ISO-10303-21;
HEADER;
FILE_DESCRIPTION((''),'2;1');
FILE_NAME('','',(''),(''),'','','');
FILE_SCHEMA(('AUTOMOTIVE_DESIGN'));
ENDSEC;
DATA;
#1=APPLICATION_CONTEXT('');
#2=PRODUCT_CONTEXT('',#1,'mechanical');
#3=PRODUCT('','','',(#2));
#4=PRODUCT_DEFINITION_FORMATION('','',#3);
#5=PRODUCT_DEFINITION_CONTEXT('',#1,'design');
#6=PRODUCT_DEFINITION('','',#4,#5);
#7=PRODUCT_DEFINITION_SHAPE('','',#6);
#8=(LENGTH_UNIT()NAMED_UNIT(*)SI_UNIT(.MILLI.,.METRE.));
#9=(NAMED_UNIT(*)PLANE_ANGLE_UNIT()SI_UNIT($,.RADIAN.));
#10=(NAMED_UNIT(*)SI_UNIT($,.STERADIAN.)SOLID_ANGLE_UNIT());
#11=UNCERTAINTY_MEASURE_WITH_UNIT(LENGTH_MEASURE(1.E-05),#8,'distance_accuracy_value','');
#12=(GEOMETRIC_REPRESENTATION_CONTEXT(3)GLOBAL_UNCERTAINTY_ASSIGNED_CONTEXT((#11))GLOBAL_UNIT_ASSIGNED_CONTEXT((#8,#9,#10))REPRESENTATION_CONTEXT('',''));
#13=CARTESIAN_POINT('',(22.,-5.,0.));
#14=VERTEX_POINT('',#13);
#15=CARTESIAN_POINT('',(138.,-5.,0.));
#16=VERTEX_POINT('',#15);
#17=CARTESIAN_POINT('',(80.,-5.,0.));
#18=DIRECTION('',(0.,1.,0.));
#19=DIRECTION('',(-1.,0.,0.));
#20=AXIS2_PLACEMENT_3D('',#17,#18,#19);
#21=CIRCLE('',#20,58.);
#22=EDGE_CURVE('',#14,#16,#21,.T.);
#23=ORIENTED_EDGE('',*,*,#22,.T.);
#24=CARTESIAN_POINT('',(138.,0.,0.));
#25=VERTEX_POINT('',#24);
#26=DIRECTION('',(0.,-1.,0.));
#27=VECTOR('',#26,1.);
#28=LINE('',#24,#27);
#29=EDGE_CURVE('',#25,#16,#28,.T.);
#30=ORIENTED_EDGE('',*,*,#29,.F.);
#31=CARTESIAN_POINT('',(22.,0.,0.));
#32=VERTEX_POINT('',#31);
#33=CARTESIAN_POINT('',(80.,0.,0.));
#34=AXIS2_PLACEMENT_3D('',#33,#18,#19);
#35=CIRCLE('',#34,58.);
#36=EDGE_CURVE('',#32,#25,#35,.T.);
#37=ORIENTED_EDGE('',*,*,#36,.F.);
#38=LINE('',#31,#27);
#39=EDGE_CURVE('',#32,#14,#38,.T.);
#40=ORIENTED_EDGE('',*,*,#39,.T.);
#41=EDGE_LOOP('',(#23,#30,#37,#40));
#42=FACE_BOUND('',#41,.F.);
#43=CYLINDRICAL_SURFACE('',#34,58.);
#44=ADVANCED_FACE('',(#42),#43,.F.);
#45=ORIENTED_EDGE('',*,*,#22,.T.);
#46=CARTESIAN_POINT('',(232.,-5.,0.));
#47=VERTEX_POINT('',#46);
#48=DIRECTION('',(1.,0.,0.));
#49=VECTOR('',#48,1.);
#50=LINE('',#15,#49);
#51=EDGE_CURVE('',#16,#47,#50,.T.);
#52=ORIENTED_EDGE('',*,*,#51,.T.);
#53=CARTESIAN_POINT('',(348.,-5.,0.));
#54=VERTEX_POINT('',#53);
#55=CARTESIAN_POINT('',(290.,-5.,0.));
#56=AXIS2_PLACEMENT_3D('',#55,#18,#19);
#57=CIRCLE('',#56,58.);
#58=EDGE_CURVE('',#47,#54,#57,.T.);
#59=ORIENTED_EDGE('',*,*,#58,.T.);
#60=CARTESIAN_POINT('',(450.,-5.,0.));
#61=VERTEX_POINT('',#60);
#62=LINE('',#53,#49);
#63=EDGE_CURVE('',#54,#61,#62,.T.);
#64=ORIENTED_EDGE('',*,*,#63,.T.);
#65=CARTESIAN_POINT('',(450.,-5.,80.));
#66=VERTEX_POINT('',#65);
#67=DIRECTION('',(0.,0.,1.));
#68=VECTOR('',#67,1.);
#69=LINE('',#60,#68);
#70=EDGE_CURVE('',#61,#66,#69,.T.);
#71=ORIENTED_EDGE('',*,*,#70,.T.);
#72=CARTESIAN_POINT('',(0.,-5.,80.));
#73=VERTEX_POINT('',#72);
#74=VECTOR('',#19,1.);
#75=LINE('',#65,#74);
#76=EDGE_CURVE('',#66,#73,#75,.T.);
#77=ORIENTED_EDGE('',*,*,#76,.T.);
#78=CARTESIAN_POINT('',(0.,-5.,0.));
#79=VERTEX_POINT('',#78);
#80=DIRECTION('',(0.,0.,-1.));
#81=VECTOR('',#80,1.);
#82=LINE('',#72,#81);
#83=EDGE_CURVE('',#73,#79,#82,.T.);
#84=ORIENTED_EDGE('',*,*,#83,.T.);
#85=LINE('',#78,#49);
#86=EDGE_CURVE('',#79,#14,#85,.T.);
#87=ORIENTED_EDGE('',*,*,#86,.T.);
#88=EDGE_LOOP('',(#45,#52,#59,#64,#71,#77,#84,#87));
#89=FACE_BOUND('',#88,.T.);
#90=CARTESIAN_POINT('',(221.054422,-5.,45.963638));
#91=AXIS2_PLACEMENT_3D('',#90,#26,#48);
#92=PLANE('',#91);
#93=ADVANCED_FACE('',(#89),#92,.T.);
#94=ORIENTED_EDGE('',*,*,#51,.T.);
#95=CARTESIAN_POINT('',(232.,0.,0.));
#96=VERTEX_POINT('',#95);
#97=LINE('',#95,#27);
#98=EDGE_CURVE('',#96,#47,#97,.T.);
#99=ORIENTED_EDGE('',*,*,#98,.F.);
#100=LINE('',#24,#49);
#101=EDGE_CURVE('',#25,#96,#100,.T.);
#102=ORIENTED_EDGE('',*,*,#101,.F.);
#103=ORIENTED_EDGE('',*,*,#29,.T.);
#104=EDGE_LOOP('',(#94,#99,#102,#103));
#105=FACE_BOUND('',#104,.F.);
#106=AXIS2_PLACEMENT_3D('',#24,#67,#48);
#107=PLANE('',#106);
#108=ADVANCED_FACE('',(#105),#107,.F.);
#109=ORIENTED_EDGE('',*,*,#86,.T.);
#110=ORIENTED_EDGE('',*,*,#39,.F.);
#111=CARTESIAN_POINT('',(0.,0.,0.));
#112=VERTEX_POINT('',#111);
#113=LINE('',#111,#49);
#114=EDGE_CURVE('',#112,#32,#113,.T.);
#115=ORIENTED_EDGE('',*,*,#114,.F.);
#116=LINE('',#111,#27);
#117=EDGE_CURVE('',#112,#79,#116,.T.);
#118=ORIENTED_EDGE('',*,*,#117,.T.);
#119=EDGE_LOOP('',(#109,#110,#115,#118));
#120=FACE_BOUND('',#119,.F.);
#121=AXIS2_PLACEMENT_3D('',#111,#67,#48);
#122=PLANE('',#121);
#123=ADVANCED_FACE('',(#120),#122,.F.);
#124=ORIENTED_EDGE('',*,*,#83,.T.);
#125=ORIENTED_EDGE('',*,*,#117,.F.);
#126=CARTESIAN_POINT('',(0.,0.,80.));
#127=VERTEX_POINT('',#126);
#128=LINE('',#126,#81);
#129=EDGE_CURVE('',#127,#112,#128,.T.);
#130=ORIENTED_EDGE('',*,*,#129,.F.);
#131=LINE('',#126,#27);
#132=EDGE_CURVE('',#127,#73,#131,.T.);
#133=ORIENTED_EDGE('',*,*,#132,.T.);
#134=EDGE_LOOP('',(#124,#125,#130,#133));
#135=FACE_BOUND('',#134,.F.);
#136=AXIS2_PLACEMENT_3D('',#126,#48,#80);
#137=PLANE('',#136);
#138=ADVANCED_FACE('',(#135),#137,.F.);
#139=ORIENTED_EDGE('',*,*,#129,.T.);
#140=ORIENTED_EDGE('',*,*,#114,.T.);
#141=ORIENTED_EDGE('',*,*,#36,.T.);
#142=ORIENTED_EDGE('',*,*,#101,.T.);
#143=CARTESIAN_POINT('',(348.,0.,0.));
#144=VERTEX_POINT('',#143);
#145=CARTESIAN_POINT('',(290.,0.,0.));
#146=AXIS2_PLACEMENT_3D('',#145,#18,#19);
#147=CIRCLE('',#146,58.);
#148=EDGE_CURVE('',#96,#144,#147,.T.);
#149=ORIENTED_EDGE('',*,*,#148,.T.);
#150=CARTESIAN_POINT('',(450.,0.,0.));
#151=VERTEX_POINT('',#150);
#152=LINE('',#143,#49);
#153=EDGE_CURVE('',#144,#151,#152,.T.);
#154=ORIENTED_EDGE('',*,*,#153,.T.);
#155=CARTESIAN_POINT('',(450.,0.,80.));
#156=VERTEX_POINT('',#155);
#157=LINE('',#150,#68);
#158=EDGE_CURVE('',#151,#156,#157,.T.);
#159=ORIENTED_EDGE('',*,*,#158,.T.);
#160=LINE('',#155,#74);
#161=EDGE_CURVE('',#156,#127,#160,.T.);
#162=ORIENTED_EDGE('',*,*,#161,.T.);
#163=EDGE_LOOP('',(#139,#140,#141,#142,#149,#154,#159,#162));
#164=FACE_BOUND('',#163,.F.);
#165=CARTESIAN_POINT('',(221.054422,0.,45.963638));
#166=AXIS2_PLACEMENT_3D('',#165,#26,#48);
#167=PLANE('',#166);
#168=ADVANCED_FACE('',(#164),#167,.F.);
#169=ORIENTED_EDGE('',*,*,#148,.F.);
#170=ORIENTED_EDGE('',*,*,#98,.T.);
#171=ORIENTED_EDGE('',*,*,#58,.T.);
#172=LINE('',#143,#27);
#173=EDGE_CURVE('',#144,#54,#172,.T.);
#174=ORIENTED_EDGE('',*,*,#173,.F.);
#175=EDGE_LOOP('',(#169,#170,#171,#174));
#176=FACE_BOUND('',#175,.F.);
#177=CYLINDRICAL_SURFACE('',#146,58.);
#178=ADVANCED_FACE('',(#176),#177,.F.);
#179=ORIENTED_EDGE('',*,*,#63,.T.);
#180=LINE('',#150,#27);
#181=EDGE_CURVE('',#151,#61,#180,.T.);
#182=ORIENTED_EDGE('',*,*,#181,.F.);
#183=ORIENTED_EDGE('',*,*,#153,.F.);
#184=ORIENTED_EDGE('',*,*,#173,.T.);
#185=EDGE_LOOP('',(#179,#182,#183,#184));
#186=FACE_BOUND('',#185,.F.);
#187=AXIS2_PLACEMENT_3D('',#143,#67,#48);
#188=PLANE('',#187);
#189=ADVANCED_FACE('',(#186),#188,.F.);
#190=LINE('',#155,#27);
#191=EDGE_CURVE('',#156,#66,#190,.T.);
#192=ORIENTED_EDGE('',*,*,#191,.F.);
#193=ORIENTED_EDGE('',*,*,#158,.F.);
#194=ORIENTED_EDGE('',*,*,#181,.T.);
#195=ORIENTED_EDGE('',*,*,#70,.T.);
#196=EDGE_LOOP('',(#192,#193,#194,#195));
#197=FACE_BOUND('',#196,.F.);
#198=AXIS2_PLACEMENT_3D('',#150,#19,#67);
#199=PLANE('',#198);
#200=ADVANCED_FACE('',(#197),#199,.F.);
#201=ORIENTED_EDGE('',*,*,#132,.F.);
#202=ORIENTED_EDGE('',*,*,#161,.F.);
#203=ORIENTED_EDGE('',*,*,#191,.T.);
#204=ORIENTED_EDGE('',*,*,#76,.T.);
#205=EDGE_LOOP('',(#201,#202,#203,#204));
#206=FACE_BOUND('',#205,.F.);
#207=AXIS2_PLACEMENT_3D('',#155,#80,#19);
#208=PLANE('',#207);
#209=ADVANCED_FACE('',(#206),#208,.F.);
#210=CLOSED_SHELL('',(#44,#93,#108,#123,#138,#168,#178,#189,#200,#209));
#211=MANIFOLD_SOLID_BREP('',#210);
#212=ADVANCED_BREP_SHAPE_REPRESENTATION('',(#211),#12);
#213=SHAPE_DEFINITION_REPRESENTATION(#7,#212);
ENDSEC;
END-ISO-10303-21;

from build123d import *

# Parameters (mm, degrees)
F1_DEPTH = 5


with BuildPart() as f1:
    # F0 (on Front) → F1 (new body)
    with BuildSketch(Plane.XZ):
        with BuildLine():
            Line((0, 80), (0, 0))
            Line((0, 0), (22, 0))
            ThreePointArc((22, 0), (80, 58), (138, 0))
            Line((138, 0), (232, 0))
            ThreePointArc((232, 0), (290, 58), (348, 0))
            Line((348, 0), (450, 0))
            Line((450, 0), (450, 80))
            Line((450, 80), (0, 80))
        make_face()
    extrude(amount=F1_DEPTH)


solid = f1.part
